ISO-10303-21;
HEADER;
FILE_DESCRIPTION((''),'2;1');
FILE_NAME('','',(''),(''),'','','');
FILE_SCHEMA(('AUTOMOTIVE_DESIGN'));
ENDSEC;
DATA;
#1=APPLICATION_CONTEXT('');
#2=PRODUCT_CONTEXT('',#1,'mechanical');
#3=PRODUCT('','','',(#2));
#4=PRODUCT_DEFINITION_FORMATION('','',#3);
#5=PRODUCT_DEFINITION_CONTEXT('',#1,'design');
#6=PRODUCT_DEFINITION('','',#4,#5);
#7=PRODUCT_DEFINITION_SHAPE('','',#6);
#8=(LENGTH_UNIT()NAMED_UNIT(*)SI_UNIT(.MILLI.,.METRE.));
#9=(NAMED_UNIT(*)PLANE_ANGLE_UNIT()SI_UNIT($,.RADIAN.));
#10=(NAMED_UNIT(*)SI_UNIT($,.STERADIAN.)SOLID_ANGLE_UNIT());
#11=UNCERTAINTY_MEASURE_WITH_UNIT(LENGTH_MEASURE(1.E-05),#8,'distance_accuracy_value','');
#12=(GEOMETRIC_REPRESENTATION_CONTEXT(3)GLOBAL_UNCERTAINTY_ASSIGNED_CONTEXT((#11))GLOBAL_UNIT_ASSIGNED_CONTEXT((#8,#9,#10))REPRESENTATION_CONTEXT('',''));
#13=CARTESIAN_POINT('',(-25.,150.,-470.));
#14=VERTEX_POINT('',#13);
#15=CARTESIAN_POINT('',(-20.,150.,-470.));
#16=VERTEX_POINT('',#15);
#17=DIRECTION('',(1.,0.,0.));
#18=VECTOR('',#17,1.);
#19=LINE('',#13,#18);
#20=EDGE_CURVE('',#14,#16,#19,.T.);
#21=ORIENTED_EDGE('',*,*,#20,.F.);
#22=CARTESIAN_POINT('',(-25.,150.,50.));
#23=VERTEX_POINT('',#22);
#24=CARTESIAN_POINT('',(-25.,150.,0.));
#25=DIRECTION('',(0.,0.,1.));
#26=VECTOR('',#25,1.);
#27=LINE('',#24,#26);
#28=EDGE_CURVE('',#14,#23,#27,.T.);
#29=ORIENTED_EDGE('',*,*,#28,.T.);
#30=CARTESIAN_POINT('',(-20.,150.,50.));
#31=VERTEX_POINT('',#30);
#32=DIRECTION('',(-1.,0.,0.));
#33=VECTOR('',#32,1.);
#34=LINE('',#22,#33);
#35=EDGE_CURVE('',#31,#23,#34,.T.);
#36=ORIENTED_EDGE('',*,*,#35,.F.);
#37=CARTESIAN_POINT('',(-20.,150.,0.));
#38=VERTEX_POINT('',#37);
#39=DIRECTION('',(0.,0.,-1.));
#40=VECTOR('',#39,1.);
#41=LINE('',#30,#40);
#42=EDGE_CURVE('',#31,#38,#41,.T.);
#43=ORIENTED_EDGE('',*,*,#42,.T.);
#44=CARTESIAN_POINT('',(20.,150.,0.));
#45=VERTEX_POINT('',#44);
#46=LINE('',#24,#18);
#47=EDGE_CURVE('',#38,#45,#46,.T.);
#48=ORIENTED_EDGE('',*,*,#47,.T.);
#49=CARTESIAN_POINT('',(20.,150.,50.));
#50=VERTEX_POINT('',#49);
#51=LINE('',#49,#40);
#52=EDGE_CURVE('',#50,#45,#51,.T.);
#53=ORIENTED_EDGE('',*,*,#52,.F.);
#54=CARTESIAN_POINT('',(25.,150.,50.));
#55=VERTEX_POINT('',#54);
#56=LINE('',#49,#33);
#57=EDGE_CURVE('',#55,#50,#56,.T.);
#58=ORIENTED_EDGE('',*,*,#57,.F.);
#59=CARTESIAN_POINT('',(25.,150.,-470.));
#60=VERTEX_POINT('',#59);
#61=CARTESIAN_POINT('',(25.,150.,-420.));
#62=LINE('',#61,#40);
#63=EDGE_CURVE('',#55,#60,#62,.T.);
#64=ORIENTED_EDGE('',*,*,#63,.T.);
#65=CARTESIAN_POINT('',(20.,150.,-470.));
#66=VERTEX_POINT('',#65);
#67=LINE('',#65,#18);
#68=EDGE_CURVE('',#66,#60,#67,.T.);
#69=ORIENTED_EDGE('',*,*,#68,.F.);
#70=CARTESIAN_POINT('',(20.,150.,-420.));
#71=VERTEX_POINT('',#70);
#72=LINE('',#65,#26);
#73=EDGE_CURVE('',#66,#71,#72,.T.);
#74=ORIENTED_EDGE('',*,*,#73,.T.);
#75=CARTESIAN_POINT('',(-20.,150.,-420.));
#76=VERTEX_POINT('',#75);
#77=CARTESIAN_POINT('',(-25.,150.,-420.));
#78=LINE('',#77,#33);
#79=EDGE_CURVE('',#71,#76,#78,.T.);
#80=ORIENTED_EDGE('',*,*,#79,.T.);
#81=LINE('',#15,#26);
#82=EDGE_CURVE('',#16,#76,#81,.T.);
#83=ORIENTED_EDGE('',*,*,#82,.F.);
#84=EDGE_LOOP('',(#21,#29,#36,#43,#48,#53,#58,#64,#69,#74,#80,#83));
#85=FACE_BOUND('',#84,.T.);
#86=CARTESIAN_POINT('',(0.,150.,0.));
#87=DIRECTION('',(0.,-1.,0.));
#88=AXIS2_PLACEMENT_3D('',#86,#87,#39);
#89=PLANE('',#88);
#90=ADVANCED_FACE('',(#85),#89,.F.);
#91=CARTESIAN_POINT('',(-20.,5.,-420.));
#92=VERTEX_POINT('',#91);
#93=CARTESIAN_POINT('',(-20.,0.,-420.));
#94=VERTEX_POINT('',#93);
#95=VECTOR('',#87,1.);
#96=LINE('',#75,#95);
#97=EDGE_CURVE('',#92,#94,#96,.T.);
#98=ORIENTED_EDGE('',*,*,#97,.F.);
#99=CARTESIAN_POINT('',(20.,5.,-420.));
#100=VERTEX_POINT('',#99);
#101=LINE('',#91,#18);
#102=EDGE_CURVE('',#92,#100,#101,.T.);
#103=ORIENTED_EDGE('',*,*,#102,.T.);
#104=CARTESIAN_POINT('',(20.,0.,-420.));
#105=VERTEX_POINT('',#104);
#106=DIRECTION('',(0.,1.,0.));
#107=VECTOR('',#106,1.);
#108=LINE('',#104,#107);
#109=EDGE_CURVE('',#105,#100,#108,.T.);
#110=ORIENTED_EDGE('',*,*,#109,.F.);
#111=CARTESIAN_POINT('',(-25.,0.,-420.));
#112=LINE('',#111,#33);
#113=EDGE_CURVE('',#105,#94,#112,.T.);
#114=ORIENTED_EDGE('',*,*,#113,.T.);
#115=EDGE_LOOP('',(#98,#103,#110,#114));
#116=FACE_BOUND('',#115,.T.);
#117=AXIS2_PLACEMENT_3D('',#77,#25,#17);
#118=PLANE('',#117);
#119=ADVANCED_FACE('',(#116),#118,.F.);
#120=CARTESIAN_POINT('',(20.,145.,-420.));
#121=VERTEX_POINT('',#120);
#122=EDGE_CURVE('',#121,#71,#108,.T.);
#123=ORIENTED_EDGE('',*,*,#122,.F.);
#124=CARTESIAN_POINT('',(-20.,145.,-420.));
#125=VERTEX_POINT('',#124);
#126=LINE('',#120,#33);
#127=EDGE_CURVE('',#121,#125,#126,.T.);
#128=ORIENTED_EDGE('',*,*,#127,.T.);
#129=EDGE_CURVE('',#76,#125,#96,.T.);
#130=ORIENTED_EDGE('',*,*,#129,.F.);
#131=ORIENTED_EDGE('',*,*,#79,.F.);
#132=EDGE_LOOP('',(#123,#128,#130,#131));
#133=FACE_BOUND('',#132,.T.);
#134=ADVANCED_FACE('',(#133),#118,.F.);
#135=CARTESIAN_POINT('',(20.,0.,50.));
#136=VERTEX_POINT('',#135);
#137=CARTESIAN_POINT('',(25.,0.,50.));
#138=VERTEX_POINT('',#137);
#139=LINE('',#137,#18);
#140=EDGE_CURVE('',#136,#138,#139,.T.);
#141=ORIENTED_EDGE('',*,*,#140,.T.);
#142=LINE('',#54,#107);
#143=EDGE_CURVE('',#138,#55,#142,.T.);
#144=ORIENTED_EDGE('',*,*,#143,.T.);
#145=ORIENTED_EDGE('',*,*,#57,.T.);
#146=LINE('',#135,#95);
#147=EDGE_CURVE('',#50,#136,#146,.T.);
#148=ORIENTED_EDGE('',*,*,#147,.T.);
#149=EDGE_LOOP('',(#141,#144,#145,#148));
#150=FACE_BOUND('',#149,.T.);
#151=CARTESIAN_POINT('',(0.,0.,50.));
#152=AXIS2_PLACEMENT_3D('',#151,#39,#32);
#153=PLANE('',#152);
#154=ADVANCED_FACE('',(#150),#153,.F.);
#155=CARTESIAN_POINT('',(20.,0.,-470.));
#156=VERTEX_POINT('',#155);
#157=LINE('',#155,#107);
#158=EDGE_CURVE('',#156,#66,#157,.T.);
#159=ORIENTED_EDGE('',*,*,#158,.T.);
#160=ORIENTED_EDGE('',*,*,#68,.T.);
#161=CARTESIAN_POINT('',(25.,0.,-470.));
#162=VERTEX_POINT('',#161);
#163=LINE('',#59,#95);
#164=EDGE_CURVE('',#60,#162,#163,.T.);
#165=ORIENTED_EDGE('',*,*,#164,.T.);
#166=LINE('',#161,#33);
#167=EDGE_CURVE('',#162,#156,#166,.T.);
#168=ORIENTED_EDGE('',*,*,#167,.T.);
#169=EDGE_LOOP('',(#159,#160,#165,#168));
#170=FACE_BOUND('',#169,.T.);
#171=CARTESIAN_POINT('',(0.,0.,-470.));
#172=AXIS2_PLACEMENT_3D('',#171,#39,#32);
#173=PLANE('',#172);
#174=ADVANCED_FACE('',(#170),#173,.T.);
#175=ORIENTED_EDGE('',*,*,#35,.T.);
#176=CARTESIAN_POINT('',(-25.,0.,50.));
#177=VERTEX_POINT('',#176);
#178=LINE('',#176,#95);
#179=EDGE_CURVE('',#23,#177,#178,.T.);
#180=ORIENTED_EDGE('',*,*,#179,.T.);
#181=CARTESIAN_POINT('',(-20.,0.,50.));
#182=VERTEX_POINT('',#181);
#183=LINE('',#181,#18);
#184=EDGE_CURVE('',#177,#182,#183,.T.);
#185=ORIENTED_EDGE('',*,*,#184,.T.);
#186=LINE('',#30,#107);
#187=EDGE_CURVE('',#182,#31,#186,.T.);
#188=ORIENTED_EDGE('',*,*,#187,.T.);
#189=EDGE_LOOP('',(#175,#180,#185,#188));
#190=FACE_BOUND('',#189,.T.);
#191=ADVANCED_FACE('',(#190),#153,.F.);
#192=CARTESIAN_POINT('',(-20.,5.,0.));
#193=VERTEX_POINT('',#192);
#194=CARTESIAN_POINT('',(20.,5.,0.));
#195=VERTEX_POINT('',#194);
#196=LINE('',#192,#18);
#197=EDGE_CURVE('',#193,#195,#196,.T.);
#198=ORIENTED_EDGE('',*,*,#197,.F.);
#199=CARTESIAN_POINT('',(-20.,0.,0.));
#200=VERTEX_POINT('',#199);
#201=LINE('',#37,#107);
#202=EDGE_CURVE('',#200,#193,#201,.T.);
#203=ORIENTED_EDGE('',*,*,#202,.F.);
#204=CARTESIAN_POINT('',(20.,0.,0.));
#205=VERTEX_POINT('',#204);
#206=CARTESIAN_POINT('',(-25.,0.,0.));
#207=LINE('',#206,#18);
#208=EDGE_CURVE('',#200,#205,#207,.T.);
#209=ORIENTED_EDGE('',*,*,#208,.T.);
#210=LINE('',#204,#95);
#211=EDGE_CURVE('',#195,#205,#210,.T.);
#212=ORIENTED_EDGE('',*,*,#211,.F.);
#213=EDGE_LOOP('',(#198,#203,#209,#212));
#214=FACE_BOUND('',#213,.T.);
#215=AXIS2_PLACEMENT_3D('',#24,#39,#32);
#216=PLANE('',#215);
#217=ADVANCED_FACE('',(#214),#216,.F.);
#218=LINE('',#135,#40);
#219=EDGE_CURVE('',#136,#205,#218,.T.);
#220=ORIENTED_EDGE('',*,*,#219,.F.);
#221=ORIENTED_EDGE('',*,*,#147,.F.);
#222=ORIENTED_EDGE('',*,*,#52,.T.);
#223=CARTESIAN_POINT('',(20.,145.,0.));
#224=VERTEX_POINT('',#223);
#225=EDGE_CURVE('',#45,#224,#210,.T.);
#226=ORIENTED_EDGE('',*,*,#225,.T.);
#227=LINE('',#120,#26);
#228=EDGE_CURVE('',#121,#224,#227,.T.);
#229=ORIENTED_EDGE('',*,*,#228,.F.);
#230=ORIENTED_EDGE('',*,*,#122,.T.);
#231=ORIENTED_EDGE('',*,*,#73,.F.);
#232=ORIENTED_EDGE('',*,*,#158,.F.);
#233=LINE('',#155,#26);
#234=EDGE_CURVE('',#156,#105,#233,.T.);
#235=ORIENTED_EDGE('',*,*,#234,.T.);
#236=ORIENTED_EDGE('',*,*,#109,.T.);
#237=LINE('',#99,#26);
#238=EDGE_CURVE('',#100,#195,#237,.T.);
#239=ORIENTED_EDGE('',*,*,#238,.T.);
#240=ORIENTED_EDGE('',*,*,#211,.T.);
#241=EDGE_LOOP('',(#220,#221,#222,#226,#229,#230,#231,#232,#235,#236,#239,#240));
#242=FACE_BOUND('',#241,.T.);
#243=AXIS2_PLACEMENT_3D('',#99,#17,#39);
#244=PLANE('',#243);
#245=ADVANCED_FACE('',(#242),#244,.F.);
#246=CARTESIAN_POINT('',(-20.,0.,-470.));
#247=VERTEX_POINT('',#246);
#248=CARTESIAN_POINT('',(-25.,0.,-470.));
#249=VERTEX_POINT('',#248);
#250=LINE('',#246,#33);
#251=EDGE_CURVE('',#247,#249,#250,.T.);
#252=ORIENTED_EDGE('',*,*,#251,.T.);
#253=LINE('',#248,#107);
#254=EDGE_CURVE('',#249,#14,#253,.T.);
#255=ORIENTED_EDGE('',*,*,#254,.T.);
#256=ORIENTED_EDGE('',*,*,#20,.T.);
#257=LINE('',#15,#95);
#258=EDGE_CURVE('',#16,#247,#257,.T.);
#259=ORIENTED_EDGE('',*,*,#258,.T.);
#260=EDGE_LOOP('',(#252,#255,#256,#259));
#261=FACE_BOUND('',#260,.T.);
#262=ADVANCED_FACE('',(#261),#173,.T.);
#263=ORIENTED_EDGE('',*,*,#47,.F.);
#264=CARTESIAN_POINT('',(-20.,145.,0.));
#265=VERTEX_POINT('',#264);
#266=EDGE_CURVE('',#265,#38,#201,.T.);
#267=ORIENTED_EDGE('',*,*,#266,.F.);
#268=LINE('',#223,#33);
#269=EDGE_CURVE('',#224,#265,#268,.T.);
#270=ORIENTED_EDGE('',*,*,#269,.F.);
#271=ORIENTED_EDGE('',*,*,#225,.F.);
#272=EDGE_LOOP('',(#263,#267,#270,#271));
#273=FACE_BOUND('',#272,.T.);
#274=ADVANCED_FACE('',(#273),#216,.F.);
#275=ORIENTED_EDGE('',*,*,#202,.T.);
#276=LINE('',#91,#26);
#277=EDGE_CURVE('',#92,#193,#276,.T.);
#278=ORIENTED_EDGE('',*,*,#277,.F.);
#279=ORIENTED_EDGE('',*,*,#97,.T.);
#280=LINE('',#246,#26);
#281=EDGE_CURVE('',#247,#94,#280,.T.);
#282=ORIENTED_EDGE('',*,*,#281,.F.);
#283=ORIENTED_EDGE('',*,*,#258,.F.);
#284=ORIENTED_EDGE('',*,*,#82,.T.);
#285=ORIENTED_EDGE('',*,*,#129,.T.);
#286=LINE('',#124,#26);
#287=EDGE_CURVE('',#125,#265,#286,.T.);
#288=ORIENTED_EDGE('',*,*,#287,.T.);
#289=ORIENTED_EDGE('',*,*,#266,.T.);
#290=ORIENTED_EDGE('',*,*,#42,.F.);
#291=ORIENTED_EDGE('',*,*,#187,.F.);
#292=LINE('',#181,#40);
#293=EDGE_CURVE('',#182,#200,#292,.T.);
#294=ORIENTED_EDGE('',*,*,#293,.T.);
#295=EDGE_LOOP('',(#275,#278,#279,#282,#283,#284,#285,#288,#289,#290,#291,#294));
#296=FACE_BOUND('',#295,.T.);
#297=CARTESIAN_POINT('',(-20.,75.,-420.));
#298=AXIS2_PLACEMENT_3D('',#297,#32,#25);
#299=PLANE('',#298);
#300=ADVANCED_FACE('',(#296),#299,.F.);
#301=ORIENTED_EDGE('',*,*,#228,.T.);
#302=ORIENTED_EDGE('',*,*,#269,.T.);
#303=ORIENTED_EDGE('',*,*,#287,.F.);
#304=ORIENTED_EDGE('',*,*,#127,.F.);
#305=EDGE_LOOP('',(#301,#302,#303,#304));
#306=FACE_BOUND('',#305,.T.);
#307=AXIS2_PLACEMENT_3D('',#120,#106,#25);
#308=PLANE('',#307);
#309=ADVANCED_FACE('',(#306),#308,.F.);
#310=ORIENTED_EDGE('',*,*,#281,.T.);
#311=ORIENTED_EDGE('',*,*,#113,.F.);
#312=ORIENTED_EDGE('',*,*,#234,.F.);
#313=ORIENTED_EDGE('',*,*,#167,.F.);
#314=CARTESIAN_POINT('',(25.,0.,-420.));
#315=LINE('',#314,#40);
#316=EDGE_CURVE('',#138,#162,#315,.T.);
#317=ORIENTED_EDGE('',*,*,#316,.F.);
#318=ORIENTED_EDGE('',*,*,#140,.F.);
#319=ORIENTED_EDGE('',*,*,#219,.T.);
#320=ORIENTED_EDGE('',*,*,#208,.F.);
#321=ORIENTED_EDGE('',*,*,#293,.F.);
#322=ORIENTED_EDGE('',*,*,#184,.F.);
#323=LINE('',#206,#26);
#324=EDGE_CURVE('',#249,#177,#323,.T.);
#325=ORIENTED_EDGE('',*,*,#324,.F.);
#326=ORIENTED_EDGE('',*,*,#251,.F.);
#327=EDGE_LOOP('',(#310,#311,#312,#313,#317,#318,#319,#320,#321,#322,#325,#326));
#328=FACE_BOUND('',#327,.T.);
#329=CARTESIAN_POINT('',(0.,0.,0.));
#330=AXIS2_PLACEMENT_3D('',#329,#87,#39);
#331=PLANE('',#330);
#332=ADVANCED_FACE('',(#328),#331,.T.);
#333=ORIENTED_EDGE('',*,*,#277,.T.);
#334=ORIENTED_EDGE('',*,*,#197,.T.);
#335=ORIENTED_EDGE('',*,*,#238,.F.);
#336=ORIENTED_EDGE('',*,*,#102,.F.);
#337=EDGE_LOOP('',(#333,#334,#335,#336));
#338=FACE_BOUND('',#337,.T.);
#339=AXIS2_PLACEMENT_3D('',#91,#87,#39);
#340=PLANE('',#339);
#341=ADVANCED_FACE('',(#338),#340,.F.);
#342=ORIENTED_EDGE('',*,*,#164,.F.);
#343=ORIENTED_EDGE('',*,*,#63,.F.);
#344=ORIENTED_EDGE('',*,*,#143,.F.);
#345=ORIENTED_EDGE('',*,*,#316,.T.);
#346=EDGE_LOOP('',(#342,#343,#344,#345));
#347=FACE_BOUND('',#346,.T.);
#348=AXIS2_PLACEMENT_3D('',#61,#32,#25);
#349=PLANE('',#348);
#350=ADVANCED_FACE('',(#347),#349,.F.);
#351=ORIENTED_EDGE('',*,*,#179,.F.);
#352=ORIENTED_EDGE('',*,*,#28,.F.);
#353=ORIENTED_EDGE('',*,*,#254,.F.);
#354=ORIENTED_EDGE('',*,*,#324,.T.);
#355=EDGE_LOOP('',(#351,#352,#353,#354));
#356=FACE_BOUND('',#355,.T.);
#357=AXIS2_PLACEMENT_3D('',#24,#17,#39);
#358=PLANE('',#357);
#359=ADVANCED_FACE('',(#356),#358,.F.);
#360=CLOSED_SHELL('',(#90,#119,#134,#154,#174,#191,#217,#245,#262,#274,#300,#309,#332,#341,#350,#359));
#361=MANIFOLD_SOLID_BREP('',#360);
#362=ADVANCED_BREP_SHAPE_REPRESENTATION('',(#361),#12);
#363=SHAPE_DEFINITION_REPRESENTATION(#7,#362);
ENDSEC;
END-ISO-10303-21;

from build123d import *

# Parameters (mm, degrees)
SKETCH1_W           = 50
SKETCH1_H           = 420
BOSS_EXTRUDE1_DEPTH = 150
CUT_EXTRUDE1_DEPTH  = 447.68221366
SKETCH4_W           = 5
SKETCH4_H           = 150
BOSS_EXTRUDE2_DEPTH = 50
SKETCH5_W           = 5
SKETCH5_H           = 150
BOSS_EXTRUDE3_DEPTH = 50
SKETCH7_W           = 5
SKETCH7_H           = 150
BOSS_EXTRUDE4_DEPTH = 50
SKETCH8_W           = 5
SKETCH8_H           = 150
BOSS_EXTRUDE5_DEPTH = 50


with BuildPart() as part:
    # Sketch1 → Boss-Extrude1 (new body)
    with BuildSketch(Plane(origin=(0, 0, 0), x_dir=(1, 0, 0), z_dir=(0, 1, 0))):
        with Locations((0, 210)):
            Rectangle(SKETCH1_W, SKETCH1_H)
    extrude(amount=BOSS_EXTRUDE1_DEPTH)

    # Sketch3 → Cut-Extrude1 (cut, through all)
    with BuildSketch(Plane.XY):
        Polygon((-20, 75), (-20, 5), (20, 5), (20, 145), (-20, 145), align=None)
    extrude(amount=-CUT_EXTRUDE1_DEPTH, mode=Mode.SUBTRACT)

    # Sketch4 → Boss-Extrude2 (add)
    with BuildSketch(Plane.XY):
        with Locations((22.5, 75)):
            Rectangle(SKETCH4_W, SKETCH4_H)
    extrude(amount=BOSS_EXTRUDE2_DEPTH)

    # Sketch5 → Boss-Extrude3 (add)
    with BuildSketch(Plane.XY):
        with Locations((-22.5, 75)):
            Rectangle(SKETCH5_W, SKETCH5_H)
    extrude(amount=BOSS_EXTRUDE3_DEPTH)

    # Sketch7 → Boss-Extrude4 (add)
    with BuildSketch(Plane(origin=(0, 0, -420), x_dir=(-1, 0, 0), z_dir=(0, 0, -1))):
        with Locations((-22.5, 75)):
            Rectangle(SKETCH7_W, SKETCH7_H)
    extrude(amount=BOSS_EXTRUDE4_DEPTH)

    # Sketch8 → Boss-Extrude5 (add)
    with BuildSketch(Plane(origin=(0, 0, -420), x_dir=(-1, 0, 0), z_dir=(0, 0, -1))):
        with Locations((22.5, 75)):
            Rectangle(SKETCH8_W, SKETCH8_H)
    extrude(amount=BOSS_EXTRUDE5_DEPTH)


solid = part.part
